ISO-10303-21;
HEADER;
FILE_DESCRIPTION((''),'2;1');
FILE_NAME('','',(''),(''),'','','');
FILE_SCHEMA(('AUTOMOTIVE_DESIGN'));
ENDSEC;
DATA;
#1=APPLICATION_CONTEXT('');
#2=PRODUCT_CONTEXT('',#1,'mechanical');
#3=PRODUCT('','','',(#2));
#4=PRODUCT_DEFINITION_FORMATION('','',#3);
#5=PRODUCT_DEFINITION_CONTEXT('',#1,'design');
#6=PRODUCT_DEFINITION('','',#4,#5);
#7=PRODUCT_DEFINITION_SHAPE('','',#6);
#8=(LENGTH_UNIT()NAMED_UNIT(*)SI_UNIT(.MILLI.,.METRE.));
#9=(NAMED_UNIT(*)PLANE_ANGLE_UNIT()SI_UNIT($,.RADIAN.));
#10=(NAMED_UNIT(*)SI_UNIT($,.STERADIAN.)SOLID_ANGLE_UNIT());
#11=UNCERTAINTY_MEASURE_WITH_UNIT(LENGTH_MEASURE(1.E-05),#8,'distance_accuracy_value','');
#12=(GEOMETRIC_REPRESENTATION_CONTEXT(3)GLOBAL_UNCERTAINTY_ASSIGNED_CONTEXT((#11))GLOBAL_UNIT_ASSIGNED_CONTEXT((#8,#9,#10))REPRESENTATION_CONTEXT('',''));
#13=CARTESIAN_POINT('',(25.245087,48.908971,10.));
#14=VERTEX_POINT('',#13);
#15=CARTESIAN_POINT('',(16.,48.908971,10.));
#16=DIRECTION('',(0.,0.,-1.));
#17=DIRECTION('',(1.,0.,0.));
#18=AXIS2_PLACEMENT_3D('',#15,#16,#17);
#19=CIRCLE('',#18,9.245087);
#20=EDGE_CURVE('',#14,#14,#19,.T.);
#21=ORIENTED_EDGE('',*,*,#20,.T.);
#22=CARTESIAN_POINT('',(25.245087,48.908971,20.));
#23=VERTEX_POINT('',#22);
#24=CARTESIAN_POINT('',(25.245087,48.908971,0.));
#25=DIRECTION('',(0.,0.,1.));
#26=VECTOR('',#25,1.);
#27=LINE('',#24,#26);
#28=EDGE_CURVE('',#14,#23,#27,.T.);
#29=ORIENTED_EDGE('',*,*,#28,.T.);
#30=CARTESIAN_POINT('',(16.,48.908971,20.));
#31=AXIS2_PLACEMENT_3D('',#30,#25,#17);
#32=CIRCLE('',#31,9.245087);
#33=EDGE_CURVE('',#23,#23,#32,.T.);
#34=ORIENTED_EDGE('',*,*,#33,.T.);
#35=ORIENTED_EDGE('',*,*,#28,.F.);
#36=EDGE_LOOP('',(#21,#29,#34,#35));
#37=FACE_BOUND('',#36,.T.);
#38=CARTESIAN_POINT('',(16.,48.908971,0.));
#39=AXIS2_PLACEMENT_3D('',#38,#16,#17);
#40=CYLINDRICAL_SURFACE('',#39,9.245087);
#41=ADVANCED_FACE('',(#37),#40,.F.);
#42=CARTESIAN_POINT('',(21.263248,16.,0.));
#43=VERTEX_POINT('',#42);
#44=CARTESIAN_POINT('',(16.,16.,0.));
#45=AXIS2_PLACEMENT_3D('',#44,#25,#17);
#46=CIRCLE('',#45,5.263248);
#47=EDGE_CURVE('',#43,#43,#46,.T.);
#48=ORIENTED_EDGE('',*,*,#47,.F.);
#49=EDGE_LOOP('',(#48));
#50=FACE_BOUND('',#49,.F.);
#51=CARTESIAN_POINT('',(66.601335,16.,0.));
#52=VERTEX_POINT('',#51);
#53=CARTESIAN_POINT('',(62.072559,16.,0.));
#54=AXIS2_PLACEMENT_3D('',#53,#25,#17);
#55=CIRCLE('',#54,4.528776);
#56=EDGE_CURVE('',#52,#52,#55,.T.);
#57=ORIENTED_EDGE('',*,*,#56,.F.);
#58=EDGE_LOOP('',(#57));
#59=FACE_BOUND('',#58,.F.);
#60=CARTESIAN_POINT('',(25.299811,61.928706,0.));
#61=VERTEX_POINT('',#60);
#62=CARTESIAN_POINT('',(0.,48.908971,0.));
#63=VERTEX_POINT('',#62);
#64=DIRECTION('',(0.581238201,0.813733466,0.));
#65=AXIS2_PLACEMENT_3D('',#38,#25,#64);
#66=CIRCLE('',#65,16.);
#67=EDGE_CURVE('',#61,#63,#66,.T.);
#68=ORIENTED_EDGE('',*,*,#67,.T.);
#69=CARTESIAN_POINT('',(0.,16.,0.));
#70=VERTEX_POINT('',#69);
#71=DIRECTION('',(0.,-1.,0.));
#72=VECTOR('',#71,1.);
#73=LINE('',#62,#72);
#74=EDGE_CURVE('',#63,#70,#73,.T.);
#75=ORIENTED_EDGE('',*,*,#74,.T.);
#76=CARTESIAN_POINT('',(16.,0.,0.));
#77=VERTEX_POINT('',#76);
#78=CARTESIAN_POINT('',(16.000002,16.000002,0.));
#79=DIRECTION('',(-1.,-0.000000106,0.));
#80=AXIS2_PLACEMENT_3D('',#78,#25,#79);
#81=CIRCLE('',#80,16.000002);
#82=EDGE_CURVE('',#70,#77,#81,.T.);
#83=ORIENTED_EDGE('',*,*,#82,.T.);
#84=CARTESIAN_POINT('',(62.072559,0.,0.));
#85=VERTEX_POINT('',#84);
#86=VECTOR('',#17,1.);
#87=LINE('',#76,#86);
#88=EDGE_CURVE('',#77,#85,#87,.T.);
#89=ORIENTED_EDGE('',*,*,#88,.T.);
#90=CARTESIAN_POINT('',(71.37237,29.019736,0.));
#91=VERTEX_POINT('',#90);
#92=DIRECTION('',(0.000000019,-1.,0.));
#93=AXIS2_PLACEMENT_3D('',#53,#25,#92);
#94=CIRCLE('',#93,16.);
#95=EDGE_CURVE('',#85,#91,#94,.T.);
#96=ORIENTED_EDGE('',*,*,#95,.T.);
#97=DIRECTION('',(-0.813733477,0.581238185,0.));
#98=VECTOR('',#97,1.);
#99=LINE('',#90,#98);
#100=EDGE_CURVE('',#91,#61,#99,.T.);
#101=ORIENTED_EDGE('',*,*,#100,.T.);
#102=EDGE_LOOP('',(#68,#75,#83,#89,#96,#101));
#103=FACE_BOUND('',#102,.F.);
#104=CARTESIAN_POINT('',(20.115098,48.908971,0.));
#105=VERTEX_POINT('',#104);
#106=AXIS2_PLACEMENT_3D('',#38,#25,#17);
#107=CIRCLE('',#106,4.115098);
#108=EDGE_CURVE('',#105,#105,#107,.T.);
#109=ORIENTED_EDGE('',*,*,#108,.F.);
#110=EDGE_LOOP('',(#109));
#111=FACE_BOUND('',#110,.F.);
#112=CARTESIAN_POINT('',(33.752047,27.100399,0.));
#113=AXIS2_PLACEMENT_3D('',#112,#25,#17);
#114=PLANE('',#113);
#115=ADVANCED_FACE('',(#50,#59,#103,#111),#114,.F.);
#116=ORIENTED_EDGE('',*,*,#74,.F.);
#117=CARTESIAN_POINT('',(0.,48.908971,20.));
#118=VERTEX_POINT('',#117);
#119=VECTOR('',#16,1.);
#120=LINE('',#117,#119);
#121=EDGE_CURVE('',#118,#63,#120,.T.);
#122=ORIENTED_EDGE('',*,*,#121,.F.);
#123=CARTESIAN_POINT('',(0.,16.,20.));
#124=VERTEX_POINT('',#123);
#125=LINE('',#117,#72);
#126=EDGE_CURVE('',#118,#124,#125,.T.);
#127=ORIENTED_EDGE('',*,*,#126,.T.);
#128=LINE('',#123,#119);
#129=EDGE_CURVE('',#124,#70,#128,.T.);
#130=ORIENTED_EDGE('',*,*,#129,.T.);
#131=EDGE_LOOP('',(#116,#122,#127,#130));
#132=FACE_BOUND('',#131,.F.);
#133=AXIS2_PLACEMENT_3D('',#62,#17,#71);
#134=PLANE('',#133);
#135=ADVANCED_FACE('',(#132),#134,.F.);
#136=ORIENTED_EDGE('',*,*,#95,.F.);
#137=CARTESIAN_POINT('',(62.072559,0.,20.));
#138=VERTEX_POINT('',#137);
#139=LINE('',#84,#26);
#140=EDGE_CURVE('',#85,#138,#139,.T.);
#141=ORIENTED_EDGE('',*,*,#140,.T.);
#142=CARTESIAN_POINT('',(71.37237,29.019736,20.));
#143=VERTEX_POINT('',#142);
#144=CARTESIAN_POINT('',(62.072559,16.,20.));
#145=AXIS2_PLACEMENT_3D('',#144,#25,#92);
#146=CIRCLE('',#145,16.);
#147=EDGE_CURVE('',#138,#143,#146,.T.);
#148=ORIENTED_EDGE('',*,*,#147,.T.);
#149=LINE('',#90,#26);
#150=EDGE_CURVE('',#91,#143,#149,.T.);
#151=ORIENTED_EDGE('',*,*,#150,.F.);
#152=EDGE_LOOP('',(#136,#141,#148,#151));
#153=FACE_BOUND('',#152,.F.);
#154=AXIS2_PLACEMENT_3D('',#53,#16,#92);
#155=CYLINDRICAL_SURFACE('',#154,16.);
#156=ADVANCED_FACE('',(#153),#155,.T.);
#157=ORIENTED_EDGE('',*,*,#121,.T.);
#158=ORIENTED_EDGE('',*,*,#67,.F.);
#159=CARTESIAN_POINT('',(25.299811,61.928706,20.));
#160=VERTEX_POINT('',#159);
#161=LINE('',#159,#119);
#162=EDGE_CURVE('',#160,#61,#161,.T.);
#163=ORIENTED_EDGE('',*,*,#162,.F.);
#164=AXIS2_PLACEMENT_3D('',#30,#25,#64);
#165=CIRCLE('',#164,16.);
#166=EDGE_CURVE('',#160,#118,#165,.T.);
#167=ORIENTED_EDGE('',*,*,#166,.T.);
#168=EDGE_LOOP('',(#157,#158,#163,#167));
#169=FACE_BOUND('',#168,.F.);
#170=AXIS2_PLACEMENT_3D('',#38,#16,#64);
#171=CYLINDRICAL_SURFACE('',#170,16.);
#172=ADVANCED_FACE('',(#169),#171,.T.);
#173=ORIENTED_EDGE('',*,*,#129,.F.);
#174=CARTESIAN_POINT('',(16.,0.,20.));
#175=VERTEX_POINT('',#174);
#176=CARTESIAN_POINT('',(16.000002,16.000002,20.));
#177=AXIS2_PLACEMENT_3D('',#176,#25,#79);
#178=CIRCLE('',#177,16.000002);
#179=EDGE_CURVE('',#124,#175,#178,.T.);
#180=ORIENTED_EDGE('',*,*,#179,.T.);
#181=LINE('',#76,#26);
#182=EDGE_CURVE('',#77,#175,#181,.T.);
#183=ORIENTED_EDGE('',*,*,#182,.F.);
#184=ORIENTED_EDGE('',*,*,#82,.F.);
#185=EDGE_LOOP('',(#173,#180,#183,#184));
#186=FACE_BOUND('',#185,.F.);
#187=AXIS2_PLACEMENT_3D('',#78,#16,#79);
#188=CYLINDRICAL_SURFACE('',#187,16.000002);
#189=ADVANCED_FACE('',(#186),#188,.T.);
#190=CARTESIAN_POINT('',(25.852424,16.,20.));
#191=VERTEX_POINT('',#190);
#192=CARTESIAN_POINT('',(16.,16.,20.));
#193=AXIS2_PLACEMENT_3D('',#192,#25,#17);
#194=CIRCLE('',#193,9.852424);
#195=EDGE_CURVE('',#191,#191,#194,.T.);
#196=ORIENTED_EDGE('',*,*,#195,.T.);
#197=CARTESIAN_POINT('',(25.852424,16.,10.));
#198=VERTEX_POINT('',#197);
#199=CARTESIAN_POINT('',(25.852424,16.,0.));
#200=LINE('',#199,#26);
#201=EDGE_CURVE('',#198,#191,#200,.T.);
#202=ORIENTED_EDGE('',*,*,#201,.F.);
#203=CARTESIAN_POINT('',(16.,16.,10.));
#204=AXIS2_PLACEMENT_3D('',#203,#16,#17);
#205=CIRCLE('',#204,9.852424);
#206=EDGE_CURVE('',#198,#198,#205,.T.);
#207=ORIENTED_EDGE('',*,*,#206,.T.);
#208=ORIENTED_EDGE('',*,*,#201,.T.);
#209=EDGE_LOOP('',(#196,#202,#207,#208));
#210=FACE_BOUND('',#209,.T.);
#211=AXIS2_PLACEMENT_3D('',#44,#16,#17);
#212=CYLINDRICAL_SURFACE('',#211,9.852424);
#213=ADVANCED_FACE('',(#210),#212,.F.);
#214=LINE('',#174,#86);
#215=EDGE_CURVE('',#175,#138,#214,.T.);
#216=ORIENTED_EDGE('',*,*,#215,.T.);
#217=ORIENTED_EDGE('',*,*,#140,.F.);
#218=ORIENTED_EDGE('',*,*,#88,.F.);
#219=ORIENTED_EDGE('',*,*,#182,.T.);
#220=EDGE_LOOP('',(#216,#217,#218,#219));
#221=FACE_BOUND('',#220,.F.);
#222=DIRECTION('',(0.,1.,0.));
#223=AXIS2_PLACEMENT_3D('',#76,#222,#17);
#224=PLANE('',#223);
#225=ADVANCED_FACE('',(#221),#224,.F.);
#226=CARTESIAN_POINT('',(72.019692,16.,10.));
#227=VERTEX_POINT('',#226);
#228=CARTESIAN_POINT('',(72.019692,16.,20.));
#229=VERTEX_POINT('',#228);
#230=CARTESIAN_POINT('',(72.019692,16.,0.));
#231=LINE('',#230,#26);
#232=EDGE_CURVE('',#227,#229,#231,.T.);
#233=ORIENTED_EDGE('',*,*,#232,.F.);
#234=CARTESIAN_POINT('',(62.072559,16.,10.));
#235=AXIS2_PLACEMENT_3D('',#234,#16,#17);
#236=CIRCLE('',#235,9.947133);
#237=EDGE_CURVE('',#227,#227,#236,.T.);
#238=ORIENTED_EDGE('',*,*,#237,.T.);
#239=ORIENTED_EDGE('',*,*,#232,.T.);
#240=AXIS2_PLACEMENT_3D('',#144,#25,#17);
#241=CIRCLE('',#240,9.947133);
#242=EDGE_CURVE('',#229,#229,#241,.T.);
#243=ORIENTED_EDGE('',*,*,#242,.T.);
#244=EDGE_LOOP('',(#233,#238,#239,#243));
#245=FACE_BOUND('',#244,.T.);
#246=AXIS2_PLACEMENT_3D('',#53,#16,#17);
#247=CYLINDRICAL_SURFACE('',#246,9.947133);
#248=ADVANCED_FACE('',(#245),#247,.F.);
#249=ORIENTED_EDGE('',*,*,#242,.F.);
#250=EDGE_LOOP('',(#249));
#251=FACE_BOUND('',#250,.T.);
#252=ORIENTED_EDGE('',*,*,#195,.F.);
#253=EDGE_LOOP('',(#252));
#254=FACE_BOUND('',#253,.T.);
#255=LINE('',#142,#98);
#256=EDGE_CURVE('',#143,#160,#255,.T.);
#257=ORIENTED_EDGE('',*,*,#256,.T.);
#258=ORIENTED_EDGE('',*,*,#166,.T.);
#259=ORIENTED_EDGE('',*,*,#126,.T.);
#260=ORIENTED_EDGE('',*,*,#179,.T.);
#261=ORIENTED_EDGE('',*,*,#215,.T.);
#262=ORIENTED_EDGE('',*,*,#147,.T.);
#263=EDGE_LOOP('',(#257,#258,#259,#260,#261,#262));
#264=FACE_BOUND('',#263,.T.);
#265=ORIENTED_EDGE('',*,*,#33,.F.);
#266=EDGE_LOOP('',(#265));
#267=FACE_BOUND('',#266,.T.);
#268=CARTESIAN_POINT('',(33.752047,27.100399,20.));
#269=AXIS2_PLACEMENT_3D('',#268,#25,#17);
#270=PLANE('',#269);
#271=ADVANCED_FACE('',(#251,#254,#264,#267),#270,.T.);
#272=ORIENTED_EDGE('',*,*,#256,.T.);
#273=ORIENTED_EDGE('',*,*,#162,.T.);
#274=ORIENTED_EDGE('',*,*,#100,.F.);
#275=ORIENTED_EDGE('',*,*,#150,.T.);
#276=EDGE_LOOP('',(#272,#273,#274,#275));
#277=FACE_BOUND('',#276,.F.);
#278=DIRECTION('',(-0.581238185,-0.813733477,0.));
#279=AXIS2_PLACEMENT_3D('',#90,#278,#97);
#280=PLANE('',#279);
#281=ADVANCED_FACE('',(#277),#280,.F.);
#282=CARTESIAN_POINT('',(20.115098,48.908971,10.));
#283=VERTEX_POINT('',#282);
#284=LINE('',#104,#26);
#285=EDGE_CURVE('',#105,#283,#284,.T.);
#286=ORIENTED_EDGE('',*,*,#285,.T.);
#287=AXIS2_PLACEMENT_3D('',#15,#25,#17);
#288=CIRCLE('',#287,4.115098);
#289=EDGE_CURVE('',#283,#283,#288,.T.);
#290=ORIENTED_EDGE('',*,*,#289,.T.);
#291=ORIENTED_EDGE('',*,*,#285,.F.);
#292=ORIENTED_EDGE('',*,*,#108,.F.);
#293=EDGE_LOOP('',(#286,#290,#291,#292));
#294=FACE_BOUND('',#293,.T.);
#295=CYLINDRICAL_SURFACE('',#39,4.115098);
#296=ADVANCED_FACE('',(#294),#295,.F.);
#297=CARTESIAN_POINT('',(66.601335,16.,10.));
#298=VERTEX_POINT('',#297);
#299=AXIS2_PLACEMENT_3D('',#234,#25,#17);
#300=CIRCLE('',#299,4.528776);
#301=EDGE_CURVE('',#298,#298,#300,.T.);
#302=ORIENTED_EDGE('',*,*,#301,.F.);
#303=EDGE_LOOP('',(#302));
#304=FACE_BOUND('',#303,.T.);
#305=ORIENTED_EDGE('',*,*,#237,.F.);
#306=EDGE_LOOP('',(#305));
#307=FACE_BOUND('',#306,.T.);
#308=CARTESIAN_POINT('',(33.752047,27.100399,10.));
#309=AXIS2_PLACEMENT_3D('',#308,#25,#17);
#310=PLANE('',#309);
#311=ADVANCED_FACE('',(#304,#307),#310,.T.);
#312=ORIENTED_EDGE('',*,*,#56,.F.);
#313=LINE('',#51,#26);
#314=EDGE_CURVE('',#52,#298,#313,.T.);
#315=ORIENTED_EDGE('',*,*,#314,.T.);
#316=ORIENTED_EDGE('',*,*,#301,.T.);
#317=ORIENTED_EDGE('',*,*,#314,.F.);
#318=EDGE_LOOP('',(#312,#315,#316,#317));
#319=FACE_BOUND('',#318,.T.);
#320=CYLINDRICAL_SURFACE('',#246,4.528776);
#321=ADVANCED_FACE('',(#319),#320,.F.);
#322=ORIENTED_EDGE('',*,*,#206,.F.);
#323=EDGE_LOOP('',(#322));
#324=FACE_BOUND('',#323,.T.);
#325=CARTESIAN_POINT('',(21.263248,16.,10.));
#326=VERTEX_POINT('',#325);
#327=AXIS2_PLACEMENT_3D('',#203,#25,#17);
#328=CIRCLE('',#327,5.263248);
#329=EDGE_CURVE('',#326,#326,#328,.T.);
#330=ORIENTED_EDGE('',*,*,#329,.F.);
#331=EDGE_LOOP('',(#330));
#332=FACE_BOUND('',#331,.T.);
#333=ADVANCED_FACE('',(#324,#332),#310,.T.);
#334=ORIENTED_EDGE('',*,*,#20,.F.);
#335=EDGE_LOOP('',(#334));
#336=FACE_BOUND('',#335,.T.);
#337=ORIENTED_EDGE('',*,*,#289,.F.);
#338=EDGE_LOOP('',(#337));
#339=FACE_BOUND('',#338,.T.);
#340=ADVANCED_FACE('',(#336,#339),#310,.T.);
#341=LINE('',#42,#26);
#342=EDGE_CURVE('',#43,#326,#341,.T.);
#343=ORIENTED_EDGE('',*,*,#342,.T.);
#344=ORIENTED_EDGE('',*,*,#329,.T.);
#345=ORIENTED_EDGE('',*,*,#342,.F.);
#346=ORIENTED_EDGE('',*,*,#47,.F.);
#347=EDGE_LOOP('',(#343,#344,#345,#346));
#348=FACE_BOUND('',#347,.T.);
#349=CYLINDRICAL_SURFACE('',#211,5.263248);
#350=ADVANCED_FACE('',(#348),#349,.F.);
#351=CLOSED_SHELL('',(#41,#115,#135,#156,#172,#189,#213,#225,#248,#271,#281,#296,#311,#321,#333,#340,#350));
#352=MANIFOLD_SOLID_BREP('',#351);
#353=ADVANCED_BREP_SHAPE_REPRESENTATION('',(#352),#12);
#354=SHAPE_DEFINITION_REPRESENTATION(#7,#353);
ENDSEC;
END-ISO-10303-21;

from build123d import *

# Parameters (mm, degrees)
F0_R     = 9.852424
F0_R_2   = 9.947133
F0_R_3   = 9.245087
F1_DEPTH = 20
F0_R_4   = 4.115098
F0_R_5   = 5.263248
F0_R_6   = 4.528776
F2_DEPTH = 10


with BuildPart() as f1:
    # F0 (on Top) → F1 (new body)
    with BuildSketch(Plane.XY):
        with BuildLine():
            ThreePointArc((0, 16), (4.686292, 4.686292), (16, 0))
            Line((16, 0), (62.072559, 0))
            ThreePointArc((62.072559, 0), (77.309287, 11.117161), (71.37237, 29.019736))
            Line((71.37237, 29.019736), (25.299811, 61.928706))
            ThreePointArc((25.299811, 61.928706), (8.678695, 63.135653), (0, 48.908971))
            Line((0, 48.908971), (0, 16))
        make_face()
        with Locations((16, 16)):
            Circle(F0_R, mode=Mode.SUBTRACT)
        with Locations((62.072559, 16)):
            Circle(F0_R_2, mode=Mode.SUBTRACT)
        with Locations((16, 48.908971)):
            Circle(F0_R_3, mode=Mode.SUBTRACT)
    extrude(amount=F1_DEPTH)

    # F0 (on Top) → F2 (join)
    with BuildSketch(Plane.XY):
        with BuildLine():
            ThreePointArc((0, 16), (4.686292, 4.686292), (16, 0))
            Line((16, 0), (62.072559, 0))
            ThreePointArc((62.072559, 0), (77.309287, 11.117161), (71.37237, 29.019736))
            Line((71.37237, 29.019736), (25.299811, 61.928706))
            ThreePointArc((25.299811, 61.928706), (8.678695, 63.135653), (0, 48.908971))
            Line((0, 48.908971), (0, 16))
        make_face()
        with Locations((16, 16)):
            Circle(F0_R, mode=Mode.SUBTRACT)
        with Locations((62.072559, 16)):
            Circle(F0_R_2, mode=Mode.SUBTRACT)
        with Locations((16, 48.908971)):
            Circle(F0_R_3, mode=Mode.SUBTRACT)
        with Locations((16, 48.908971)):
            Circle(F0_R_3)
        with Locations((16, 48.908971)):
            Circle(F0_R_4, mode=Mode.SUBTRACT)
        with Locations((16, 16)):
            Circle(F0_R)
        with Locations((16, 16)):
            Circle(F0_R_5, mode=Mode.SUBTRACT)
        with Locations((62.072559, 16)):
            Circle(F0_R_2)
        with Locations((62.072559, 16)):
            Circle(F0_R_6, mode=Mode.SUBTRACT)
    extrude(amount=F2_DEPTH)


solid = f1.part
